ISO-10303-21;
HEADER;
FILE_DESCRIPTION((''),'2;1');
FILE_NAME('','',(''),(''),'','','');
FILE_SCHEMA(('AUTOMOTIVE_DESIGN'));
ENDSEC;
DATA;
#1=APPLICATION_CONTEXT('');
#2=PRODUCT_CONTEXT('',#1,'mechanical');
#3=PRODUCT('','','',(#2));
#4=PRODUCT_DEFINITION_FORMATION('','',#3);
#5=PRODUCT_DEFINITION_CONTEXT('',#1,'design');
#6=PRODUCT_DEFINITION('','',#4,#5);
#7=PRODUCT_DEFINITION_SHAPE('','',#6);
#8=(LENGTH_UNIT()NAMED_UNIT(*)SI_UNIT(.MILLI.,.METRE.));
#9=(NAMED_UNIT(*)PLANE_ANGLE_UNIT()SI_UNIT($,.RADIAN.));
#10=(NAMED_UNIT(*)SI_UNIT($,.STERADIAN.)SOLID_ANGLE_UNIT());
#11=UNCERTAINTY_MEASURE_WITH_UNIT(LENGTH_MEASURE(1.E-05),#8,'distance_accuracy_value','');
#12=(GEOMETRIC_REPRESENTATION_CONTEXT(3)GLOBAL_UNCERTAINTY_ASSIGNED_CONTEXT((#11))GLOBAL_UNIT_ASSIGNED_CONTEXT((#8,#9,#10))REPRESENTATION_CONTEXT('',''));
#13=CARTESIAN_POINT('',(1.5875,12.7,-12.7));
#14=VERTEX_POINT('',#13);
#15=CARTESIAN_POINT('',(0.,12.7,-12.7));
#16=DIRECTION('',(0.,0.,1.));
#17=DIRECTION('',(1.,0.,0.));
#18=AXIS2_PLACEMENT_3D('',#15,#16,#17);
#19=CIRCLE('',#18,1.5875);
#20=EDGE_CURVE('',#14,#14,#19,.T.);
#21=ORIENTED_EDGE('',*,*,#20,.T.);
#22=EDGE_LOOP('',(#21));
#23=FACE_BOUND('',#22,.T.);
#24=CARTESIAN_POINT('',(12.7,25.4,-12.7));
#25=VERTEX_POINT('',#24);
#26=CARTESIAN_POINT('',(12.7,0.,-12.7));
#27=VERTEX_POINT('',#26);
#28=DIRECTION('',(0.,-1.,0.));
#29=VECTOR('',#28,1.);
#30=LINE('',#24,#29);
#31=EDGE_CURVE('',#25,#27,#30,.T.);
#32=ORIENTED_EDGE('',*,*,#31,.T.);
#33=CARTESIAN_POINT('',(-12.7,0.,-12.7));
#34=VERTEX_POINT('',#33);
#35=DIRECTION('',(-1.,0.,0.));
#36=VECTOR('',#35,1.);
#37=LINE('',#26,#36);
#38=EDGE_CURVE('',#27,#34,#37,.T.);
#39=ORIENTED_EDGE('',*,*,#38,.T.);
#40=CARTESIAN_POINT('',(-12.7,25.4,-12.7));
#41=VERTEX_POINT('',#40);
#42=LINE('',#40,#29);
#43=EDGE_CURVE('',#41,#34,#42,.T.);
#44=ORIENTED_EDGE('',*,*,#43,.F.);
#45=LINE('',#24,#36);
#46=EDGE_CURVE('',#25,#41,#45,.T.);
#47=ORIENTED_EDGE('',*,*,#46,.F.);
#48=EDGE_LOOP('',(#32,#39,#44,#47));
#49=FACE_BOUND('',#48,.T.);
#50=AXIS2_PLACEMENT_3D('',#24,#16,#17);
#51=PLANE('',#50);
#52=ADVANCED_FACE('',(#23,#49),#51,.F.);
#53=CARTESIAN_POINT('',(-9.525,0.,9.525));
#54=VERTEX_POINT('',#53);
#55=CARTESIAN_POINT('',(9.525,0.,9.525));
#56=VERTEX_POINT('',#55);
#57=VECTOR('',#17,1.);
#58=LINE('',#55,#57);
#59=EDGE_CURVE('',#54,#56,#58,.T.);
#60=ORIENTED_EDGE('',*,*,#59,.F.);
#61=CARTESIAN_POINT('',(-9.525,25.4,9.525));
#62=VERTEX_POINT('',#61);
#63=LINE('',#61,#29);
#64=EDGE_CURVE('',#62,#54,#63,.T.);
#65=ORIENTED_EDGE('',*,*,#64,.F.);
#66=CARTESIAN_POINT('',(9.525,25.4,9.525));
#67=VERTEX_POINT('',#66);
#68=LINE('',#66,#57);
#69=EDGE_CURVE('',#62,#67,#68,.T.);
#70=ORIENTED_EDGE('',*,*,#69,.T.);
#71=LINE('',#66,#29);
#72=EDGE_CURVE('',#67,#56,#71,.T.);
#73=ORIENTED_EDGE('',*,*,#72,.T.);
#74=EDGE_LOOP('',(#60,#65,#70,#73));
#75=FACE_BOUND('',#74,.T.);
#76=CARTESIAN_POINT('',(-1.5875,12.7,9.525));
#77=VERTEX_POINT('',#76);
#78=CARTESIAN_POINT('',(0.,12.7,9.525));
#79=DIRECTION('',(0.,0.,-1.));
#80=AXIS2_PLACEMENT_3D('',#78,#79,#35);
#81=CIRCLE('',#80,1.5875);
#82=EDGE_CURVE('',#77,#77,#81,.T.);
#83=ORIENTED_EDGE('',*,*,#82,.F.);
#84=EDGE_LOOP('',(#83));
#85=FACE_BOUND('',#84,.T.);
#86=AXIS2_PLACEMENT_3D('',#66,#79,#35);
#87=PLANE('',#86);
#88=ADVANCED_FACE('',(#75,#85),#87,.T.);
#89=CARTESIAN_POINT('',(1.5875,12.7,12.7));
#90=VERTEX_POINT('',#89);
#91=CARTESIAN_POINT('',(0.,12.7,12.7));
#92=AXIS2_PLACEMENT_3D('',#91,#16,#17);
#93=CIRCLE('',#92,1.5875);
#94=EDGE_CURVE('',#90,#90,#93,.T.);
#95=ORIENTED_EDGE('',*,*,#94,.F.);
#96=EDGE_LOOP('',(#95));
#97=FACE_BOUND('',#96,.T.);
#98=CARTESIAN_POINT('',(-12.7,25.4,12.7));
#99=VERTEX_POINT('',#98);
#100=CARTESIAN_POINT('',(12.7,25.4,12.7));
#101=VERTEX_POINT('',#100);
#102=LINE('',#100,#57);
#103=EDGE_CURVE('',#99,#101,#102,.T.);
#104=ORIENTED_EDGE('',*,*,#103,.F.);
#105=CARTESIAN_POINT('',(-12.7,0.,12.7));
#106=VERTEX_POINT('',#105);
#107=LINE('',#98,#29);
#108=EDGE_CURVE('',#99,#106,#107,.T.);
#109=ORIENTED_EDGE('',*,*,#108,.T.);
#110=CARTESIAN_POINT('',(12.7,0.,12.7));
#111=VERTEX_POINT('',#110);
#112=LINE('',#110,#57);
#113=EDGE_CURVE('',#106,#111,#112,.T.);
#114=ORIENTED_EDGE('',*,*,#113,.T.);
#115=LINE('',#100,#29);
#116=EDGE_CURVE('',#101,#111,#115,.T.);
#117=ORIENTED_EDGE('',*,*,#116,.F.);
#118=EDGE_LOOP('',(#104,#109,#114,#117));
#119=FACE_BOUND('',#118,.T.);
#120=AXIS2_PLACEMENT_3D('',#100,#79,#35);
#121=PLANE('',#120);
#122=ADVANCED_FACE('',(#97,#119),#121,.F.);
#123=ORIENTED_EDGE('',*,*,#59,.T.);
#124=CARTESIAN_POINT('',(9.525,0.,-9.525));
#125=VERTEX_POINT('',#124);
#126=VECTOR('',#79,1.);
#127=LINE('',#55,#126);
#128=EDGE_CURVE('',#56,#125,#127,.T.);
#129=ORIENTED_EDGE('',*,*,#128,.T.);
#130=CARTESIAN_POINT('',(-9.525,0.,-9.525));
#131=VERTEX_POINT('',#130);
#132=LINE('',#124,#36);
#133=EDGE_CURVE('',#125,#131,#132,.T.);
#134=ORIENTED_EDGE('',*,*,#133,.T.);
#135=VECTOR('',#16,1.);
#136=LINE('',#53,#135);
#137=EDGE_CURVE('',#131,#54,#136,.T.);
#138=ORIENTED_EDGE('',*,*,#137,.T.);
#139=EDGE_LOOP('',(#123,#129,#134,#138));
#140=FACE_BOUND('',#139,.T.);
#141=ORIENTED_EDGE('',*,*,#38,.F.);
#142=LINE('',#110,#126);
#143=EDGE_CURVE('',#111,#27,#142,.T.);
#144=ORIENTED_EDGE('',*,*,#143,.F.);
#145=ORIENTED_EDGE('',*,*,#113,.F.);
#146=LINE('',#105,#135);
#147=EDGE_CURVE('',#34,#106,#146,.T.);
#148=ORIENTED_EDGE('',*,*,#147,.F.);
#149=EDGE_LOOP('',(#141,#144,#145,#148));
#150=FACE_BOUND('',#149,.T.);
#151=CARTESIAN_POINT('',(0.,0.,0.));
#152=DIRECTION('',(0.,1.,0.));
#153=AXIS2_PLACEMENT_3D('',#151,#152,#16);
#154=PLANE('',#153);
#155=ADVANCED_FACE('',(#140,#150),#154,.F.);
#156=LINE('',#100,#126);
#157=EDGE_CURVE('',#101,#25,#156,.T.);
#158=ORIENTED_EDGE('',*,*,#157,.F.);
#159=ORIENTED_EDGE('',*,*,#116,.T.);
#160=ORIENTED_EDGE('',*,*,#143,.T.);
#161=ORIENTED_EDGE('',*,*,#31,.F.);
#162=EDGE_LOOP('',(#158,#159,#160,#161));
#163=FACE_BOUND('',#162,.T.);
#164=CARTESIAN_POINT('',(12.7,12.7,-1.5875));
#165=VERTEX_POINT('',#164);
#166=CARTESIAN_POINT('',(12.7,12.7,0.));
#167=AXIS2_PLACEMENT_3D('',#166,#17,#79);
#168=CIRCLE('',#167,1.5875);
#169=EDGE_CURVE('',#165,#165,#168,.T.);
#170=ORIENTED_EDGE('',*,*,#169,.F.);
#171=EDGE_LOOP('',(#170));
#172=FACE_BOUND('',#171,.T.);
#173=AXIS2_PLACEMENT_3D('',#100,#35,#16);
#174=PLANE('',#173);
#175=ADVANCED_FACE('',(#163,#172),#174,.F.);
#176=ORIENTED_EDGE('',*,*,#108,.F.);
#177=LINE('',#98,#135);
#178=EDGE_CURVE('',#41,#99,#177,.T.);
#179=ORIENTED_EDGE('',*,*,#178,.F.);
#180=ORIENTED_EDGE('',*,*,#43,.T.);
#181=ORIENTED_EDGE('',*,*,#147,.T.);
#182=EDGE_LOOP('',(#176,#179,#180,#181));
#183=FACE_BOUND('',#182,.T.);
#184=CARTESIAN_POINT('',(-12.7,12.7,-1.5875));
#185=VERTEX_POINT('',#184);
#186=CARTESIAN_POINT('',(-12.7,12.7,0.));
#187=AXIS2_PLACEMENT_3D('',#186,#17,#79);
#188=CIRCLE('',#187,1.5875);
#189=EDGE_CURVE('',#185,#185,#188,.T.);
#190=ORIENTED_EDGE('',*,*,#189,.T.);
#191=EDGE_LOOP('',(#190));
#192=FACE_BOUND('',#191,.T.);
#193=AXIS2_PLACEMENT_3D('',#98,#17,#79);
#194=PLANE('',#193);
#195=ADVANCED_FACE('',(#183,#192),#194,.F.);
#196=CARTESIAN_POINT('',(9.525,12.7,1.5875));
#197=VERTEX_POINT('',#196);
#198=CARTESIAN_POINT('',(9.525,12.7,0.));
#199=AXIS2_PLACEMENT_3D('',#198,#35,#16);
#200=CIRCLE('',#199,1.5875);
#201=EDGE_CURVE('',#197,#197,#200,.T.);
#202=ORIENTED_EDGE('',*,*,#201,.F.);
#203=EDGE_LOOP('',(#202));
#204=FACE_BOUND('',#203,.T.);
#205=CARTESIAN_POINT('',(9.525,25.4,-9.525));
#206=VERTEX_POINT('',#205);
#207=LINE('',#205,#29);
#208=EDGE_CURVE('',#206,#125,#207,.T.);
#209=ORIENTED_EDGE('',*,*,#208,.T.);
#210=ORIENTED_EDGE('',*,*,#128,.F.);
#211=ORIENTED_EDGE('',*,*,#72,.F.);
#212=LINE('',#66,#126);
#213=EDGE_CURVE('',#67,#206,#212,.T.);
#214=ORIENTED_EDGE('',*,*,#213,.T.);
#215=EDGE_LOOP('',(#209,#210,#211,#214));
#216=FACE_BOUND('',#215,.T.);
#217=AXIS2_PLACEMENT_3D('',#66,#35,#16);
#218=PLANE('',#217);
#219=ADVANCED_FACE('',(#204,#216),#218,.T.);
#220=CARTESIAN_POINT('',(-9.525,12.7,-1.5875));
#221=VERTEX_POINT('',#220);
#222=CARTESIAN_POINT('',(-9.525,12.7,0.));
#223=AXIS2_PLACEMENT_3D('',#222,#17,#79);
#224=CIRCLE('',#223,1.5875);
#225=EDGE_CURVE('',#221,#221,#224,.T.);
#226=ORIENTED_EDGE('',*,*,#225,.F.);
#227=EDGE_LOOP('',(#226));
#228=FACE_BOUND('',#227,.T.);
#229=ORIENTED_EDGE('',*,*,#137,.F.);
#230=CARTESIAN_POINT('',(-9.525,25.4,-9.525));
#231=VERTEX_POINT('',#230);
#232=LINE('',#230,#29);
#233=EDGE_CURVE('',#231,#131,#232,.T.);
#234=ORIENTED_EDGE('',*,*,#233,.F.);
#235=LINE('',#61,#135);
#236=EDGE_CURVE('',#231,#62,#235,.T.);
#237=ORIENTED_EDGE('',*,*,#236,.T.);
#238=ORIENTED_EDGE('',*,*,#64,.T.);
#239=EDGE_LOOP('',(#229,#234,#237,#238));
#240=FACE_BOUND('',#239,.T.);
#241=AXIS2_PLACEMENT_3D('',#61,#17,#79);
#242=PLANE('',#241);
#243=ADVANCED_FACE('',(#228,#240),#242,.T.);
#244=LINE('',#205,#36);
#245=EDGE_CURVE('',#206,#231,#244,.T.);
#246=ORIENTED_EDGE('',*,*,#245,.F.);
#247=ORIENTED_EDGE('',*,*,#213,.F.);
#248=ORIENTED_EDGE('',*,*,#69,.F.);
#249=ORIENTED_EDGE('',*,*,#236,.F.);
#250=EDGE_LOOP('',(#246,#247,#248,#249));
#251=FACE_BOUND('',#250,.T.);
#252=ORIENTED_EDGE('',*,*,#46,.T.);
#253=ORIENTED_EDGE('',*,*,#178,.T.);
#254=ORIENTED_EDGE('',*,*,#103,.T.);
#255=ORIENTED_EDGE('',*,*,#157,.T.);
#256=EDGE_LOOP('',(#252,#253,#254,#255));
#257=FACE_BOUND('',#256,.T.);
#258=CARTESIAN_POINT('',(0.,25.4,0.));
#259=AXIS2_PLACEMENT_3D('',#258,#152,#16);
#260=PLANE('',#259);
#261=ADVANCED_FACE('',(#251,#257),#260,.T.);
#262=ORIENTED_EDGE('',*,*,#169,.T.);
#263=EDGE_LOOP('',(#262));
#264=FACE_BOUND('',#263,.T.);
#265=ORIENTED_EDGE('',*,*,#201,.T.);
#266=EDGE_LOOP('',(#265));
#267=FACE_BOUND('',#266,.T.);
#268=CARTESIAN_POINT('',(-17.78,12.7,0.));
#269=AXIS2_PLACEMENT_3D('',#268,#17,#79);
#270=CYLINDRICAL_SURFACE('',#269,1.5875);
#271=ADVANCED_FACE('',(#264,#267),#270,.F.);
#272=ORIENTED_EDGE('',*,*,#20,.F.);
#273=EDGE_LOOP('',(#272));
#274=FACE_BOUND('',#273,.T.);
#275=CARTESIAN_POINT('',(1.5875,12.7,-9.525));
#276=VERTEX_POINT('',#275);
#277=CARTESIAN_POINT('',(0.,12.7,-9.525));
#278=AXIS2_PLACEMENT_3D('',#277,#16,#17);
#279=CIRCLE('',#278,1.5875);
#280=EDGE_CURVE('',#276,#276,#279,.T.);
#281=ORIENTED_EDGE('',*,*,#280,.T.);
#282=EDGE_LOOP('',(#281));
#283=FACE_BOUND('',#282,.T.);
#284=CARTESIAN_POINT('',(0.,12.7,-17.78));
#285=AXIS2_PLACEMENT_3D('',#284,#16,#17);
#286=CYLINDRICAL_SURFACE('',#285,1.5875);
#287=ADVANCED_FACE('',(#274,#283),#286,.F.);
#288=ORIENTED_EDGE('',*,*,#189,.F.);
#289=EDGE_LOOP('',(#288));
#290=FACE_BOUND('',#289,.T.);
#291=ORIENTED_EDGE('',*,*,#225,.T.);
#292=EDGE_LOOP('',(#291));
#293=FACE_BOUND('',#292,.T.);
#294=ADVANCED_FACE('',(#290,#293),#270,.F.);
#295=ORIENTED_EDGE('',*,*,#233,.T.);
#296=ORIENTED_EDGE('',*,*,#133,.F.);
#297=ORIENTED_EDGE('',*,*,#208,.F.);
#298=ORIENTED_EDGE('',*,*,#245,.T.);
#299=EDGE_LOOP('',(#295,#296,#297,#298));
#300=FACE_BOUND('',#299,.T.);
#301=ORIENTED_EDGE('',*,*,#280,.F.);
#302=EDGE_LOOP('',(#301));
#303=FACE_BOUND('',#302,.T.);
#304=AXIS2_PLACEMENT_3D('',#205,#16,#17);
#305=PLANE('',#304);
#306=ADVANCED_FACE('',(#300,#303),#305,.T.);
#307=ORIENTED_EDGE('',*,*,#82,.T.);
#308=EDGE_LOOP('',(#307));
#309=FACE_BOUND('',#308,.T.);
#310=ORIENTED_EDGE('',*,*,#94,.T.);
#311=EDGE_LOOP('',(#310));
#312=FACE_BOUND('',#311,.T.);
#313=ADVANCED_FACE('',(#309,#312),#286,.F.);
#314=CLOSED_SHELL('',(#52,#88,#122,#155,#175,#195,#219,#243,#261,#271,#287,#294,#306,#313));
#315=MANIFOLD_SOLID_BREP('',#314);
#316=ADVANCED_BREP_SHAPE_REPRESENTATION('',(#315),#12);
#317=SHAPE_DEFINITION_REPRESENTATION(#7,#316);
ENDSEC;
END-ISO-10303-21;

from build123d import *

# Parameters (mm, degrees)
SKETCH_5_W          = 25.4
SKETCH_5_H          = 25.4
SKETCH_5_W_2        = 19.05
SKETCH_5_H_2        = 19.05
EXTRUDE_1_DEPTH     = 25.4
SKETCH_6_R          = 1.5875
CUT_EXTRUDE_1_DEPTH = 30.48
SKETCH_7_R          = 1.5875
CUT_EXTRUDE_2_DEPTH = 30.48


with BuildPart() as part:
    # 스케치5 → 보스-돌출1 (new body)
    with BuildSketch(Plane(origin=(0, 0, 0), x_dir=(1, 0, 0), z_dir=(0, 1, 0))):
        Rectangle(SKETCH_5_W, SKETCH_5_H)
        Rectangle(SKETCH_5_W_2, SKETCH_5_H_2, mode=Mode.SUBTRACT)
    extrude(amount=EXTRUDE_1_DEPTH)

    # 스케치6 → 컷-돌출1 (cut)
    with BuildSketch(Plane.XY.offset(12.7)):
        with Locations((0, 12.7)):
            Circle(SKETCH_6_R)
    extrude(amount=-CUT_EXTRUDE_1_DEPTH, mode=Mode.SUBTRACT)

    # 스케치7 → 컷-돌출2 (cut)
    with BuildSketch(Plane(origin=(12.7, 0, 0), x_dir=(0, 0, -1), z_dir=(1, 0, 0))):
        with Locations((0, 12.7)):
            Circle(SKETCH_7_R)
    extrude(amount=-CUT_EXTRUDE_2_DEPTH, mode=Mode.SUBTRACT)


solid = part.part
